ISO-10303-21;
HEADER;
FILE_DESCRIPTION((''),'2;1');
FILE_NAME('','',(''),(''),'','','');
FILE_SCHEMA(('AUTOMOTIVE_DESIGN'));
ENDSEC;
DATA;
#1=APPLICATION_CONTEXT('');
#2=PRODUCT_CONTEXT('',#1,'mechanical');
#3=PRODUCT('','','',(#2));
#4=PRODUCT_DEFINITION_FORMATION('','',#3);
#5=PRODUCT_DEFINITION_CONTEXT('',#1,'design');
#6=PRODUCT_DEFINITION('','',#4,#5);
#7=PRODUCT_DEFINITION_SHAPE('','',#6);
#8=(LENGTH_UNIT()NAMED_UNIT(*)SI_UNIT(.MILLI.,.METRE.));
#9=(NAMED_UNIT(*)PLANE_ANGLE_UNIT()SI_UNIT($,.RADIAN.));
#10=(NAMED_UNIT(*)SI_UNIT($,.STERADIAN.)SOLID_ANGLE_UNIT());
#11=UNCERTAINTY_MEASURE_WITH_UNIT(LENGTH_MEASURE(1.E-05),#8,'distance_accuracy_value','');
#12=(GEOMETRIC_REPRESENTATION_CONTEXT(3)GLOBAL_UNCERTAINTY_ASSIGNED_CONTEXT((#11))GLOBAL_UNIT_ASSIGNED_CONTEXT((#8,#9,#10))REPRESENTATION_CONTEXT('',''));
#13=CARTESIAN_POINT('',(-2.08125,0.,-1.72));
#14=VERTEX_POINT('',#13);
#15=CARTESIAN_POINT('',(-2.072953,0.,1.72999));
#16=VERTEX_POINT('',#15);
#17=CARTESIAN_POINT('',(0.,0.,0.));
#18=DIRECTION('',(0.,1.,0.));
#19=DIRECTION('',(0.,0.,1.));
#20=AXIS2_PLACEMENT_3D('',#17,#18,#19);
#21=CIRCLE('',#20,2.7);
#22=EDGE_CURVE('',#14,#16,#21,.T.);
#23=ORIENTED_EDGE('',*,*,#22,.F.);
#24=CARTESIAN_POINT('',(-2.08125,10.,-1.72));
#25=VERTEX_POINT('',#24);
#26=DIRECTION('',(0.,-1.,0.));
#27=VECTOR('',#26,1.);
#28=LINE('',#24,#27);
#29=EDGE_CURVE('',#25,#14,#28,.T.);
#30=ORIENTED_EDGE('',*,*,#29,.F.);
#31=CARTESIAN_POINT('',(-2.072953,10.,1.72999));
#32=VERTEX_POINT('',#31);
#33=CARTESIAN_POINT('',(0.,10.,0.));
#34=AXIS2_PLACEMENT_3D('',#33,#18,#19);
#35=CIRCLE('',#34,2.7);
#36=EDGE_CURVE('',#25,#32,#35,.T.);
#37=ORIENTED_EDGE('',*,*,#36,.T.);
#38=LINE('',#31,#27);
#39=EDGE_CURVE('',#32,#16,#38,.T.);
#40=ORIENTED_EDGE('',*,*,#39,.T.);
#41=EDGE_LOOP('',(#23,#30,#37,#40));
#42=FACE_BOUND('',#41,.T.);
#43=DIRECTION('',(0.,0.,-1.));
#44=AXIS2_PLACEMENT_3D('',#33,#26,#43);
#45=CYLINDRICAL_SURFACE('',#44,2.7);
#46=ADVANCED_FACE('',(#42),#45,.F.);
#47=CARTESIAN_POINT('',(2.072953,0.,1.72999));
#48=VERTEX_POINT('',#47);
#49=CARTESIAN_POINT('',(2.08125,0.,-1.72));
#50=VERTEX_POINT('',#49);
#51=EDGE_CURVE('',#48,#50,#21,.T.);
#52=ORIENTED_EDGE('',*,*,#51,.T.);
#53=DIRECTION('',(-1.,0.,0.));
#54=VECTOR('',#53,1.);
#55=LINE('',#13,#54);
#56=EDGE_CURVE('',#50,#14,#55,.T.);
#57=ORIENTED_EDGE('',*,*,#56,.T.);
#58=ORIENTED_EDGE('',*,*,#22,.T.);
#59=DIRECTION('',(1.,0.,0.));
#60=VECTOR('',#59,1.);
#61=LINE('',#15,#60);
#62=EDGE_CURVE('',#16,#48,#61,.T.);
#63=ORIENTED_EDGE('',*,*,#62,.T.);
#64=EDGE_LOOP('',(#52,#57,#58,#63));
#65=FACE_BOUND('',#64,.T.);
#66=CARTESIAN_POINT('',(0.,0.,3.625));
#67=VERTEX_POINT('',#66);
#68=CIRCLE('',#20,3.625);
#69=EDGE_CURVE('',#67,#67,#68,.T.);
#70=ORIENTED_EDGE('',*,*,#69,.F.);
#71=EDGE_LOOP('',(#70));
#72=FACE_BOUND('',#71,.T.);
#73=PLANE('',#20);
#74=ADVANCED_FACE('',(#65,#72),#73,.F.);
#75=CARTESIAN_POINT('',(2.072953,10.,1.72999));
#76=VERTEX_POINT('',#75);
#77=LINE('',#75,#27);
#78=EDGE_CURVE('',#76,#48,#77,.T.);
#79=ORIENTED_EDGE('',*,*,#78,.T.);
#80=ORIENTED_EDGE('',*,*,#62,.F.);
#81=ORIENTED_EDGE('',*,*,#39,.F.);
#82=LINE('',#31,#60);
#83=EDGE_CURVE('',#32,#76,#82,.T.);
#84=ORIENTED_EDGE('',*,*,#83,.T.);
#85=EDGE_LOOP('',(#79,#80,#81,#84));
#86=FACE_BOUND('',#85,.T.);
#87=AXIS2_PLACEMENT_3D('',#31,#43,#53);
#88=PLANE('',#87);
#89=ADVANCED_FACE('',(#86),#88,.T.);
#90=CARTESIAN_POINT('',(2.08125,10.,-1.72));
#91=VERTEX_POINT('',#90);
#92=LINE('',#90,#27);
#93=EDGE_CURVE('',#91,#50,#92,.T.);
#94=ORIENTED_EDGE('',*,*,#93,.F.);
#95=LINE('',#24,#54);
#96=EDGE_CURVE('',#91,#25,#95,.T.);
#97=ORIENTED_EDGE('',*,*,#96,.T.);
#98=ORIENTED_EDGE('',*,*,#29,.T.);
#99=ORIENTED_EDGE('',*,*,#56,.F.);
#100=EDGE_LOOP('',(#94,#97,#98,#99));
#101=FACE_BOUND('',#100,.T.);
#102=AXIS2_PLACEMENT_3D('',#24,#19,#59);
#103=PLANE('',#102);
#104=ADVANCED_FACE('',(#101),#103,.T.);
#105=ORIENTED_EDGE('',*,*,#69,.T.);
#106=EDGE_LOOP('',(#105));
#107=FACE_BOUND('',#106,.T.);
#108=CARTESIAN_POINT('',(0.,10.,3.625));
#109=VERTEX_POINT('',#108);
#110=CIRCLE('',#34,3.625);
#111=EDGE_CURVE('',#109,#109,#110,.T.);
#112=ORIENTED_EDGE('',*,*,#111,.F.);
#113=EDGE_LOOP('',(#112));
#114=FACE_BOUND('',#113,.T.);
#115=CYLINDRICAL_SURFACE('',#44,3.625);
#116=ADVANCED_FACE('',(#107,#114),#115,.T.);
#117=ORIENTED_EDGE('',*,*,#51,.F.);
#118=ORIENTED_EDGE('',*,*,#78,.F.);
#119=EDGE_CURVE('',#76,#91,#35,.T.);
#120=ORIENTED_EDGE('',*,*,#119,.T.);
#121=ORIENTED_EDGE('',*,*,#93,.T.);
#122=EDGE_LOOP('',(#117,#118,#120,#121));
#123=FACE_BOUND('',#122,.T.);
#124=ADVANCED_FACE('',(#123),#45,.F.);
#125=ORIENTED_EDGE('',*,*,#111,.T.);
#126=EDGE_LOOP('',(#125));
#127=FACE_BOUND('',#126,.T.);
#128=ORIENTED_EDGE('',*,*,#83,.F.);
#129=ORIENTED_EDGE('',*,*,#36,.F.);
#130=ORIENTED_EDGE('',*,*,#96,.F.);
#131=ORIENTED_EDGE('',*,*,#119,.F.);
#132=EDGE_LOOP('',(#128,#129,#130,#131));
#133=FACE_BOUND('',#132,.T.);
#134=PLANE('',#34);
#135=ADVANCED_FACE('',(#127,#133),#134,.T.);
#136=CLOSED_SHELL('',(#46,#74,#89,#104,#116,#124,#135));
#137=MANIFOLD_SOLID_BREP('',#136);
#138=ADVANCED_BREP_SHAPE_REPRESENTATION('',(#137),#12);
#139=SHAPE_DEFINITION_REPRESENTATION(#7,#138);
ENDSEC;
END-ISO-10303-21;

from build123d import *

# Parameters (mm, degrees)
ESBO_O1_R                = 3.625
RESSALTO_EXTRUS_O1_DEPTH = 10


with BuildPart() as part:
    # Esboço1 → Ressalto-extrusão1 (new body)
    with BuildSketch(Plane(origin=(0, 0, 0), x_dir=(1, 0, 0), z_dir=(0, 1, 0))):
        with Locations(Location((0, 0, 0), (0, 0, 270))):
            Circle(ESBO_O1_R)
        with BuildLine():
            Line((-2.081249625, 1.72), (2.081249625, 1.72))
            ThreePointArc((2.081249625, 1.72), (2.699992193, -0.00649294), (2.072953091, -1.729990024))
            Line((2.072953091, -1.729990024), (-2.072953091, -1.729990024))
            ThreePointArc((-2.072953091, -1.729990024), (-2.699992193, -0.00649294), (-2.081249625, 1.72))
        make_face(mode=Mode.SUBTRACT)
    extrude(amount=RESSALTO_EXTRUS_O1_DEPTH)


solid = part.part
